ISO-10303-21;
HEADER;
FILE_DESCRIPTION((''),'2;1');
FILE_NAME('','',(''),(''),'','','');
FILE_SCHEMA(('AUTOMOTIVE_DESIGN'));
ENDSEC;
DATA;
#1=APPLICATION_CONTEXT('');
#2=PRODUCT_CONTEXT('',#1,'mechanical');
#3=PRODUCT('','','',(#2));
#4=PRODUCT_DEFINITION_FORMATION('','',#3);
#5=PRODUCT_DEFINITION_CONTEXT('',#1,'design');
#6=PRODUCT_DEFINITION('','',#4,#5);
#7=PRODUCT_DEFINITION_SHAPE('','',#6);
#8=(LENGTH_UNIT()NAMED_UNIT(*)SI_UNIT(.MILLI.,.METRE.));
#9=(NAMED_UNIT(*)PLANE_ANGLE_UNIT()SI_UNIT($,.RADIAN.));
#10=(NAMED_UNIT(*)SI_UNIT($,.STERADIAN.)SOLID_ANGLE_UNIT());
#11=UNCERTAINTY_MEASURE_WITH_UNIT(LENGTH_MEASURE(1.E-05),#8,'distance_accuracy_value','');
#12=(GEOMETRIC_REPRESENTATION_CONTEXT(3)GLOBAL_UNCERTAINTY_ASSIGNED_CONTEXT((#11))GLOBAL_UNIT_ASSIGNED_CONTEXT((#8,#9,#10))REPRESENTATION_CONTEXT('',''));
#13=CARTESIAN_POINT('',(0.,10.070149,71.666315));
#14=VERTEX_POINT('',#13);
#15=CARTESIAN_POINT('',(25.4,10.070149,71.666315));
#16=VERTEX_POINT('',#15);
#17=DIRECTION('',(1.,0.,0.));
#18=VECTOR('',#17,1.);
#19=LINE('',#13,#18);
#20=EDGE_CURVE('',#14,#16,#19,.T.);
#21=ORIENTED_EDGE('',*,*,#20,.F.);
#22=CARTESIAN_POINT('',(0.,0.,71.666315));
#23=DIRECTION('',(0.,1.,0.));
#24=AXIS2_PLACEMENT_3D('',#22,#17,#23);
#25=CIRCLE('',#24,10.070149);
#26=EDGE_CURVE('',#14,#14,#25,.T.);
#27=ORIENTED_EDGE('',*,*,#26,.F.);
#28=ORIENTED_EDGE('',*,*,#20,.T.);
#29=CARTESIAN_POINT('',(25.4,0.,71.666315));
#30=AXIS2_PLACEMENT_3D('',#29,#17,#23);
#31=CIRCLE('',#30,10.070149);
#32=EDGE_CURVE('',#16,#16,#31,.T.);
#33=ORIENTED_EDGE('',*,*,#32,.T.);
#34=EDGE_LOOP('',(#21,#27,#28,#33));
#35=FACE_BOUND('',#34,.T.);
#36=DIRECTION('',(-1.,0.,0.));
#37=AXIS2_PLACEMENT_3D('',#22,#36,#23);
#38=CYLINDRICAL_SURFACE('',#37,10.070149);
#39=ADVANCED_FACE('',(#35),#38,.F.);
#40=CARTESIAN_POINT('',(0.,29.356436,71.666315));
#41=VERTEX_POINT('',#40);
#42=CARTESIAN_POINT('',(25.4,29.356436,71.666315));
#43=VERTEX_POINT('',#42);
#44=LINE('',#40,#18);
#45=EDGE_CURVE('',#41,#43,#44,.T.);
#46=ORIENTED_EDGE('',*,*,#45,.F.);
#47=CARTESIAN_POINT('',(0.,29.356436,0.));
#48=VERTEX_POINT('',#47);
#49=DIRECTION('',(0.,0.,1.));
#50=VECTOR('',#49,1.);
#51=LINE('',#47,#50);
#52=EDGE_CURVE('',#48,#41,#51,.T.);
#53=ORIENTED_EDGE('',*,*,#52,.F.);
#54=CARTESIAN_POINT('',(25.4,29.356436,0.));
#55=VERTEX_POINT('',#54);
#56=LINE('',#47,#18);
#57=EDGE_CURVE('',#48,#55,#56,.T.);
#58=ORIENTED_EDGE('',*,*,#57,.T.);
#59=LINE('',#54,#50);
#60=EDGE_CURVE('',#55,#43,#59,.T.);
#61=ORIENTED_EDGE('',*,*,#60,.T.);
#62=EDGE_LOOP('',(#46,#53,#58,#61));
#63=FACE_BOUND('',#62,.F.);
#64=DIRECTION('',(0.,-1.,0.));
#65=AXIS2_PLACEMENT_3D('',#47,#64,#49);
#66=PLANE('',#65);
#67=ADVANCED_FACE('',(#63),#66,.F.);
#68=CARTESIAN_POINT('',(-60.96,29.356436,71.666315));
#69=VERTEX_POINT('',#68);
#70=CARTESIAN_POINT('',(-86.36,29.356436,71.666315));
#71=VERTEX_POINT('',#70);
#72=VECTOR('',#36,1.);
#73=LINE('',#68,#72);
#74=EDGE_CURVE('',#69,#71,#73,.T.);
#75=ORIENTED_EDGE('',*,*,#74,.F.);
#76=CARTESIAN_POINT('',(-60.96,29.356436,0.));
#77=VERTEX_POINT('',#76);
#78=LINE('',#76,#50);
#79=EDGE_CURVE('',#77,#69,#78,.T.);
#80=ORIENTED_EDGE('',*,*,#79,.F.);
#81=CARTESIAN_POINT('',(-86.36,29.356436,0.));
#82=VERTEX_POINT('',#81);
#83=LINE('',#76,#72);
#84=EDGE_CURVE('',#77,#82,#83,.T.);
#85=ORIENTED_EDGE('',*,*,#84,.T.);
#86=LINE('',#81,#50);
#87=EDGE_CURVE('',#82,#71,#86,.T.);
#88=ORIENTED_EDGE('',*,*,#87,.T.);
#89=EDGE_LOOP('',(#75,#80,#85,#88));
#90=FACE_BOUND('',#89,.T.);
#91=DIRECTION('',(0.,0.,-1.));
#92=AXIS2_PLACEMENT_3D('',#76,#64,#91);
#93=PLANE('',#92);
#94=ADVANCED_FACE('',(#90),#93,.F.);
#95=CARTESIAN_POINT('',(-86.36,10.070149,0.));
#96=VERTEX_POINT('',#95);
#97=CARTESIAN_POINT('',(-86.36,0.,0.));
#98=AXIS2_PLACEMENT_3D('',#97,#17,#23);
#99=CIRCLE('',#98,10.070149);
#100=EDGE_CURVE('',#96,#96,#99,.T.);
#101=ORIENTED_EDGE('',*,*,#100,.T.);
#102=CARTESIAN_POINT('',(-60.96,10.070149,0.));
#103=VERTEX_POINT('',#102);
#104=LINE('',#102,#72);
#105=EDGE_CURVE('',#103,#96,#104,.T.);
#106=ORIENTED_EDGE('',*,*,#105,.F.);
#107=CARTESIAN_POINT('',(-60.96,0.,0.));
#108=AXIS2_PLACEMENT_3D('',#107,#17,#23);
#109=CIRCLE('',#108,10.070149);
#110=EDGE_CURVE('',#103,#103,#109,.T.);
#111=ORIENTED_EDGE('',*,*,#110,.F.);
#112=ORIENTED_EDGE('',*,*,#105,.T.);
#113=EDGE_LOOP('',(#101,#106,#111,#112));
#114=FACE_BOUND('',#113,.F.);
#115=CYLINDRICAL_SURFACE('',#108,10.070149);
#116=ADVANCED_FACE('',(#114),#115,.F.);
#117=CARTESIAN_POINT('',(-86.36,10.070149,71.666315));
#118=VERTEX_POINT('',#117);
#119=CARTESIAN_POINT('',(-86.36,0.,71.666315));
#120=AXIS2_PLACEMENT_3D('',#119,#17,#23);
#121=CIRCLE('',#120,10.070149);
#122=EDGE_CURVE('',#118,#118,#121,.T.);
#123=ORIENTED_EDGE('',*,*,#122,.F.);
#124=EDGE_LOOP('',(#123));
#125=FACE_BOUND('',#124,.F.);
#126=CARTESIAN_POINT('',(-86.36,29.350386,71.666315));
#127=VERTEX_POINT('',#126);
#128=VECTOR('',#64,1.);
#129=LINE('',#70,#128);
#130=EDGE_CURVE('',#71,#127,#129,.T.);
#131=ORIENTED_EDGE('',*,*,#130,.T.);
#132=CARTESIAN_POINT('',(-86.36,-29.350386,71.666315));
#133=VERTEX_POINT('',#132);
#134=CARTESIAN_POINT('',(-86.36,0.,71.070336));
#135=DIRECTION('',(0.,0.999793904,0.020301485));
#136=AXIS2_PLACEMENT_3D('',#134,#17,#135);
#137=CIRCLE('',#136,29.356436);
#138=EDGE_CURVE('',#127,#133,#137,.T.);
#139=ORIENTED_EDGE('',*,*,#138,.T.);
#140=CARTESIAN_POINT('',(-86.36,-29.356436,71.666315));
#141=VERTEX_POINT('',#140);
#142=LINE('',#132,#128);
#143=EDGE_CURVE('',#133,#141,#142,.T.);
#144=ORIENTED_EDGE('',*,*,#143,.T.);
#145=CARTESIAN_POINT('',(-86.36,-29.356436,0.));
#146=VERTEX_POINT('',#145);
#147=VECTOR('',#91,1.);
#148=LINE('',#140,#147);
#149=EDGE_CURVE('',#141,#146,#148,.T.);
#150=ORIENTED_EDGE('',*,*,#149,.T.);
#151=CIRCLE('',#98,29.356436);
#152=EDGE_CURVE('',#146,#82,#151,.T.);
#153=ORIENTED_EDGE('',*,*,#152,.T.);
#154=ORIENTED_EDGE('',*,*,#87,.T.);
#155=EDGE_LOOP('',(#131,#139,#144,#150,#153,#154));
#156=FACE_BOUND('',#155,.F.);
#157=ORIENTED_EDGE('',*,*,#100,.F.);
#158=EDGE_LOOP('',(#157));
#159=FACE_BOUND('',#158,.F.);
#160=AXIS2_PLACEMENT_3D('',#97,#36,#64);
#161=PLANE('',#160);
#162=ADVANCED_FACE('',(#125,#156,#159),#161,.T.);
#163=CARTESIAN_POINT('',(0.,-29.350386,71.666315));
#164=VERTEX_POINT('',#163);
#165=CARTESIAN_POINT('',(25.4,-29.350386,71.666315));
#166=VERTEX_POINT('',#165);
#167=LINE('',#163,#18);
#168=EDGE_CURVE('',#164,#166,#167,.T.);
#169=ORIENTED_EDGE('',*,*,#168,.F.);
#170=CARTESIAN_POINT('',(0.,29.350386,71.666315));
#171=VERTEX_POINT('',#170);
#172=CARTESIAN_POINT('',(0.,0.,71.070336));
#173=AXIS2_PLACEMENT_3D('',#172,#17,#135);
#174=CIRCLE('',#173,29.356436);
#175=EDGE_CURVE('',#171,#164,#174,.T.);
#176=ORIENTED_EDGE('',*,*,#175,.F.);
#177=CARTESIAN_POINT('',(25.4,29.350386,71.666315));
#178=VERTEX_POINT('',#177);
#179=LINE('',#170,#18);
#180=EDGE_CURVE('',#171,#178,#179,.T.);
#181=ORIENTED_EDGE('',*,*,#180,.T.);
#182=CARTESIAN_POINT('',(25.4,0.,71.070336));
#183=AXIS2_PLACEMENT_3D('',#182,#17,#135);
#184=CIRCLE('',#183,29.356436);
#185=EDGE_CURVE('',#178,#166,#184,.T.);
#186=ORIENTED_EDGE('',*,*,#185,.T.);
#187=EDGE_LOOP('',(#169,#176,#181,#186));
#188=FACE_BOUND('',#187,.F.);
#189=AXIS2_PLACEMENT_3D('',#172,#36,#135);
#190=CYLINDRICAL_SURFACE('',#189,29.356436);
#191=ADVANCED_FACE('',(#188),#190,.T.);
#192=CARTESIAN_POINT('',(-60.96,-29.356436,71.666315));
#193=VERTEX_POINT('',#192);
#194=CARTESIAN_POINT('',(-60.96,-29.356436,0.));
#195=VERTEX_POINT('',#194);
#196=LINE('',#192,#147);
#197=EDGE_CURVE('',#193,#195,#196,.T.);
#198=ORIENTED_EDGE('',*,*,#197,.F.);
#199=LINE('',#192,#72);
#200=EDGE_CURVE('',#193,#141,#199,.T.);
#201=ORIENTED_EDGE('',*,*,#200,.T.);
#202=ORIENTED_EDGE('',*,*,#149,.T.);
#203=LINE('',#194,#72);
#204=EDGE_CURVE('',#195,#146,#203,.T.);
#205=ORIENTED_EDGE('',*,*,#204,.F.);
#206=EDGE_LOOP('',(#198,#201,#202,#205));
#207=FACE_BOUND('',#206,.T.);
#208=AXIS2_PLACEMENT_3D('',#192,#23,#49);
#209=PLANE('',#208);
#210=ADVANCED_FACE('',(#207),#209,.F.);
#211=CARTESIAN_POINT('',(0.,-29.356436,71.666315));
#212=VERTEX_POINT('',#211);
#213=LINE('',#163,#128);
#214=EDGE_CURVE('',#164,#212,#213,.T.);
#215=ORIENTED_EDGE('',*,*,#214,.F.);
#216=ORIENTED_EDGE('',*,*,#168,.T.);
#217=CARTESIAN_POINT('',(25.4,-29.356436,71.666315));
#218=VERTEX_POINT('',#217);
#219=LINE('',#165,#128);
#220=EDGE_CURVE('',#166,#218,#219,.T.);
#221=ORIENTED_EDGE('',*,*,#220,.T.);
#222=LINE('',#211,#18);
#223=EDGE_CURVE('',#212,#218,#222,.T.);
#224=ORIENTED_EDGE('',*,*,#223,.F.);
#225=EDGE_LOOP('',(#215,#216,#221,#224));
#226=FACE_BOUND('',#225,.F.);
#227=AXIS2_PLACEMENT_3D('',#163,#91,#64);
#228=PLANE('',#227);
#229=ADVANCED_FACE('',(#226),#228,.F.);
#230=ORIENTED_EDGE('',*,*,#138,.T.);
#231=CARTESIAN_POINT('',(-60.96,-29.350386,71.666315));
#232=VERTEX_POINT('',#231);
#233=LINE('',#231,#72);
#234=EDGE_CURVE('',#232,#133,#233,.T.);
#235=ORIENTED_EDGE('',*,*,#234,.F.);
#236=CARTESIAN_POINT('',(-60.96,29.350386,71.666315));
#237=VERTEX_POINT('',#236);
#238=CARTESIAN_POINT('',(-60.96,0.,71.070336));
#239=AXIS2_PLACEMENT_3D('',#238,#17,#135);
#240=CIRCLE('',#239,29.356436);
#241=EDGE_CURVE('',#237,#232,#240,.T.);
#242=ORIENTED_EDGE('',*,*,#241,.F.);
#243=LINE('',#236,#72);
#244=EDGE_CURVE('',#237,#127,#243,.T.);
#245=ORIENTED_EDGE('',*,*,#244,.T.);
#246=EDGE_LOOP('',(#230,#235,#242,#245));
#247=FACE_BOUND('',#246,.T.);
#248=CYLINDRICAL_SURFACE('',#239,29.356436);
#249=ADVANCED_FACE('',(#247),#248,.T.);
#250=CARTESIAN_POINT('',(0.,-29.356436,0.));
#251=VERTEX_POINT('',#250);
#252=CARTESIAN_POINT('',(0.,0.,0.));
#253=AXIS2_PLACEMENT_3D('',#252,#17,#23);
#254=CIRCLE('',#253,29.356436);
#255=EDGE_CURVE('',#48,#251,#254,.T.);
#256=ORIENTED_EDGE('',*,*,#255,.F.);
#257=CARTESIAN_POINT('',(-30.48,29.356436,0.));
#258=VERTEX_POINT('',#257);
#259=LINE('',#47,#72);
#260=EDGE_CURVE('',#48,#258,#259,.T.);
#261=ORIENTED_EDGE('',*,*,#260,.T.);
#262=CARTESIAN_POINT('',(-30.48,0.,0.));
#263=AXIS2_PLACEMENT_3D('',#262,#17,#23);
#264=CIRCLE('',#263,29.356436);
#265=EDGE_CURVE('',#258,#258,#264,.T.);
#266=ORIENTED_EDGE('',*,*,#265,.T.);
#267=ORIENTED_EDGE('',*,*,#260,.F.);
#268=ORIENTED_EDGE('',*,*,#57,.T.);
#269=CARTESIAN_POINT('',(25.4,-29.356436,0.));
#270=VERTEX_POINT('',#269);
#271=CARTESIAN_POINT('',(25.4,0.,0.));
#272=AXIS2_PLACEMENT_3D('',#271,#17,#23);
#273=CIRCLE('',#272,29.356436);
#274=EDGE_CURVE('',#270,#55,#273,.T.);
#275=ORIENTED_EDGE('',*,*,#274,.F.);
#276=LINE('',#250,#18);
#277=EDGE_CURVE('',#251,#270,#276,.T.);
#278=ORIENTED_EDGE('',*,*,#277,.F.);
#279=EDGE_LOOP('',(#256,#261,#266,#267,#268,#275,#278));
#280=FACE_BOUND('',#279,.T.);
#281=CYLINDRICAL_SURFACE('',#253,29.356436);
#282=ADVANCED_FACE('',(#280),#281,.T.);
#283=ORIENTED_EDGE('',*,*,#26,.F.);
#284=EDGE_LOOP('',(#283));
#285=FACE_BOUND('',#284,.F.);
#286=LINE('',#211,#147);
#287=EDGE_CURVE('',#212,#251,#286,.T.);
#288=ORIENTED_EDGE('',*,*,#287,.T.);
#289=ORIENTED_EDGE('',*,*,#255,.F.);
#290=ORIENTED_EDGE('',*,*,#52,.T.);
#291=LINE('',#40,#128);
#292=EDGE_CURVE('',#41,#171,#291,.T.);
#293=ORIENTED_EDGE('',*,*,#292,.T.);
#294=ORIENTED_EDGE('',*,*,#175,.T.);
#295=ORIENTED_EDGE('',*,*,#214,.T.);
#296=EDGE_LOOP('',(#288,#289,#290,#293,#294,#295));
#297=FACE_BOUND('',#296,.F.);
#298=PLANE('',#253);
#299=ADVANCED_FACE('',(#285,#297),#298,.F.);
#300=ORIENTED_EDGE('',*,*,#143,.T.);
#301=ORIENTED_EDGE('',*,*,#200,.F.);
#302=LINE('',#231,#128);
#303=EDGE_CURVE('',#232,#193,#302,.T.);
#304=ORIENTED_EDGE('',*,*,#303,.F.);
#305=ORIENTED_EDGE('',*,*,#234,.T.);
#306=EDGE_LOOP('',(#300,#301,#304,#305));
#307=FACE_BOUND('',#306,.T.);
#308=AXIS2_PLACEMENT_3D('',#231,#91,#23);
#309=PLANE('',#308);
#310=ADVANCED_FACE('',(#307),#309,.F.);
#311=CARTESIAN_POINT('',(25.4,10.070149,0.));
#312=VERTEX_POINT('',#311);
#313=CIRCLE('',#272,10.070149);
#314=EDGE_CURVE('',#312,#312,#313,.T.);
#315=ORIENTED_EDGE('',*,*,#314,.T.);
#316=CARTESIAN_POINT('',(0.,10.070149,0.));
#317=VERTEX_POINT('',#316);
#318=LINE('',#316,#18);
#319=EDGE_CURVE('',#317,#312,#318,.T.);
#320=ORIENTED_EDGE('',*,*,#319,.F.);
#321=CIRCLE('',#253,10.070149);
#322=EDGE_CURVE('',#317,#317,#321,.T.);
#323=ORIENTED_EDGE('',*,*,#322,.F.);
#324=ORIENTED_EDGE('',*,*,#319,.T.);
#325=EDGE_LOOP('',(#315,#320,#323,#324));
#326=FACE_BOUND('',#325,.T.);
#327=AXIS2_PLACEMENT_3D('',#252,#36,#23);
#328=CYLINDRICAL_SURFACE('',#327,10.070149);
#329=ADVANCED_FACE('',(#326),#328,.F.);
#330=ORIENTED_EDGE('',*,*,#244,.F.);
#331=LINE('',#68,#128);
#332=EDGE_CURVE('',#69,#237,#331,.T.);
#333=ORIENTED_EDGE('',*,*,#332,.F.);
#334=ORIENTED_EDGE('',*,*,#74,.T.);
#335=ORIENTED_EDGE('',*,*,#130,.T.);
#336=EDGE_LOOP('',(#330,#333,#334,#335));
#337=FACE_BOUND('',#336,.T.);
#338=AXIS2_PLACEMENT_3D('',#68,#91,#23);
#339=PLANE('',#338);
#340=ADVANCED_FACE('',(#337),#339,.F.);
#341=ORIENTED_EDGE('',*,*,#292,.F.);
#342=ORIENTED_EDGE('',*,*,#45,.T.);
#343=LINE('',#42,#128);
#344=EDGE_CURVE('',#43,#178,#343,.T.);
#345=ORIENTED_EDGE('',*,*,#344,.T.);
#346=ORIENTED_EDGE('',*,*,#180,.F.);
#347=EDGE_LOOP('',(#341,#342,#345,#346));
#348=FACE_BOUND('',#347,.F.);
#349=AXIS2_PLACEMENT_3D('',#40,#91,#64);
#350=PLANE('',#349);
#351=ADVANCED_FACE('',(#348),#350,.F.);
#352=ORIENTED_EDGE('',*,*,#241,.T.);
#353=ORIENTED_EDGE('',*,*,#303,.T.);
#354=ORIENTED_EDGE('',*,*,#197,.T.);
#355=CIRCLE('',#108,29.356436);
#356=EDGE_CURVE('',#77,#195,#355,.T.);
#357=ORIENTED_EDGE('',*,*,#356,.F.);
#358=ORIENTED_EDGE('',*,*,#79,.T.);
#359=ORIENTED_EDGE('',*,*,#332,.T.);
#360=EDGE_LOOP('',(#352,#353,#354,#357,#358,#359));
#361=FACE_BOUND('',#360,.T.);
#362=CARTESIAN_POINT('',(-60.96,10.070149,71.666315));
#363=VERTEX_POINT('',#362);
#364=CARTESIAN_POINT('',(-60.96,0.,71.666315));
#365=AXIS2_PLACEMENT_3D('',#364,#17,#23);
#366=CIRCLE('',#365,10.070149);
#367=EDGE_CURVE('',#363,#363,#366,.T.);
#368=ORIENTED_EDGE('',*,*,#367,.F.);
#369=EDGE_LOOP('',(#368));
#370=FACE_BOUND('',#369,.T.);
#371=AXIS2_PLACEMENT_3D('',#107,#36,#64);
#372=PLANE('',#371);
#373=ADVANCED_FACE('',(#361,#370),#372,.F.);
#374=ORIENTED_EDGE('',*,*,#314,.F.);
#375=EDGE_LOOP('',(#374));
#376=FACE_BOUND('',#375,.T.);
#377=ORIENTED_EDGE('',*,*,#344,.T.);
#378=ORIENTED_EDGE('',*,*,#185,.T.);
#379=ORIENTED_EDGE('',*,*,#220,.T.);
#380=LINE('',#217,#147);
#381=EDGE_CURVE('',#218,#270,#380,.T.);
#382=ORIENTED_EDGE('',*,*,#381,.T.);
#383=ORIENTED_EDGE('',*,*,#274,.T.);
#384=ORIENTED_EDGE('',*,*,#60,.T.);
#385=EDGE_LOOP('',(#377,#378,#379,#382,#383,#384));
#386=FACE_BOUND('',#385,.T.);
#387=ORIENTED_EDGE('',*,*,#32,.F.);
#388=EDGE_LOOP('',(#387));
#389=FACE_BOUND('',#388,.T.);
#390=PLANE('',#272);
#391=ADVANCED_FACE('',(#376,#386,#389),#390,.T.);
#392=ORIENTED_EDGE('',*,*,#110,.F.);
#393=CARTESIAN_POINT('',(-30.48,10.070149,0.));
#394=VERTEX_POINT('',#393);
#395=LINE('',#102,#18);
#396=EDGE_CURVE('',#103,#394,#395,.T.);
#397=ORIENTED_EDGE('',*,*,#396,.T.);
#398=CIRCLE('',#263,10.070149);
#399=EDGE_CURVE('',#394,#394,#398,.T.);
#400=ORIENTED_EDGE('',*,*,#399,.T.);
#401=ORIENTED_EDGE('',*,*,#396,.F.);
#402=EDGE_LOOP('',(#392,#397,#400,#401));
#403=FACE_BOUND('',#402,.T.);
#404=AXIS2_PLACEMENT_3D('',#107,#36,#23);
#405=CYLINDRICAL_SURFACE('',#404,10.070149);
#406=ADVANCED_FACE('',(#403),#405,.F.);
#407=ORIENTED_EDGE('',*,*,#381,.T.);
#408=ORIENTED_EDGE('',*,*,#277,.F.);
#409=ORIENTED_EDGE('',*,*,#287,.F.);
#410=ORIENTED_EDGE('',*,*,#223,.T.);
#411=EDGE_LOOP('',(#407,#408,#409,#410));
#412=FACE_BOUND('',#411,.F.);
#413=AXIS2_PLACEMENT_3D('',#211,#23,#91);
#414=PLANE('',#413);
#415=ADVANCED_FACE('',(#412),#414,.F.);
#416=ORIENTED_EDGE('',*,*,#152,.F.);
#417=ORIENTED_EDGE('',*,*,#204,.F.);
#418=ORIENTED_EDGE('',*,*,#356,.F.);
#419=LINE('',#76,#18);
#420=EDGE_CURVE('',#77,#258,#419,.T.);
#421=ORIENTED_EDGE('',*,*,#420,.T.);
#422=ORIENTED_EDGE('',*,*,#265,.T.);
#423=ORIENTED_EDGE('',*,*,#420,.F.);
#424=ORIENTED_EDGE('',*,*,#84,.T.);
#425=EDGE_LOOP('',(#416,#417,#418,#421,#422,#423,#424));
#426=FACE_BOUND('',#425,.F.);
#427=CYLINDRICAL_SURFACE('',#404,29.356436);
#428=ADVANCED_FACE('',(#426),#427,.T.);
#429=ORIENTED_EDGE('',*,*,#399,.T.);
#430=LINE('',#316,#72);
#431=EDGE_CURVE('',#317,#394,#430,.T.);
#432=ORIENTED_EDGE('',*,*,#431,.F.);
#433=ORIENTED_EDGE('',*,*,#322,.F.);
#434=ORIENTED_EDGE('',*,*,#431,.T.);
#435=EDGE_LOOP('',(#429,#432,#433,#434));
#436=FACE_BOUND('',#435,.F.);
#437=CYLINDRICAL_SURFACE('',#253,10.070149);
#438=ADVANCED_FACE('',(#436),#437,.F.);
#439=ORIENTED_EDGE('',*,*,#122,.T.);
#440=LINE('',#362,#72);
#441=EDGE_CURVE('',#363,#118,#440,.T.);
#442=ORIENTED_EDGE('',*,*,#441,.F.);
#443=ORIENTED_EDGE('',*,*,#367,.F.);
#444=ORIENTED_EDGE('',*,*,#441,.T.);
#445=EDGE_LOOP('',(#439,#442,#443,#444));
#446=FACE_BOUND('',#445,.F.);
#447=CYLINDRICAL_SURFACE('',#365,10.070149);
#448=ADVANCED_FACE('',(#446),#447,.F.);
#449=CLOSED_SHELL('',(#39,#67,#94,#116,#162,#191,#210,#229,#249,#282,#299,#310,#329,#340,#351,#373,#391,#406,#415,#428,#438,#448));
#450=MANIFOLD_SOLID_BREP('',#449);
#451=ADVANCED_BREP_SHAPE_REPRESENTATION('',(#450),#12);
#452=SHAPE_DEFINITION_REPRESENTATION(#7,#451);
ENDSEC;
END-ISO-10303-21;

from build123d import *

# Parameters (mm, degrees)
F0_R     = 10.070149
F1_DEPTH = 25.4
F2_DEPTH = 30.48


with BuildPart() as f1:
    # F0 (on Right) → F1 (new body)
    with BuildSketch(Plane.YZ):
        with BuildLine():
            ThreePointArc((-29.356436, 0), (0, -29.356436), (29.356436, 0))
            ThreePointArc((29.356436, 0), (0, 29.356436), (-29.356436, 0))
        make_face()
        Circle(F0_R, mode=Mode.SUBTRACT)
        with BuildLine():
            ThreePointArc((-29.356436, 0), (0, 29.356436), (29.356436, 0))
            Line((29.356436, 0), (29.356436, 71.070336))
            ThreePointArc((29.356436, 71.070336), (29.354923, 71.368341), (29.350386, 71.666315))
            ThreePointArc((29.350386, 71.666315), (0, 100.426772), (-29.350386, 71.666315))
            ThreePointArc((-29.350386, 71.666315), (-29.354923, 71.368341), (-29.356436, 71.070336))
            Line((-29.356436, 71.070336), (-29.356436, 0))
        make_face()
        with Locations((0, 71.666315)):
            Circle(F0_R, mode=Mode.SUBTRACT)
        with BuildLine():
            ThreePointArc((29.350386, 71.666315), (29.354923, 71.368341), (29.356436, 71.070336))
            Line((29.356436, 71.070336), (29.356436, 71.666315))
            Line((29.356436, 71.666315), (29.350386, 71.666315))
        make_face()
        with BuildLine():
            Line((-29.356436, 71.666315), (-29.356436, 71.070336))
            ThreePointArc((-29.356436, 71.070336), (-29.354923, 71.368341), (-29.350386, 71.666315))
            Line((-29.350386, 71.666315), (-29.356436, 71.666315))
        make_face()
    extrude(amount=F1_DEPTH)

    # F0 (on Right) → F2 (join)
    with BuildSketch(Plane.YZ):
        with BuildLine():
            ThreePointArc((-29.356436, 0), (0, -29.356436), (29.356436, 0))
            ThreePointArc((29.356436, 0), (0, 29.356436), (-29.356436, 0))
        make_face()
        Circle(F0_R, mode=Mode.SUBTRACT)
    extrude(amount=-F2_DEPTH)

    # F4: F1 across plane


with BuildPart() as f1_1:
    add(f1.part)
    add(f1.part.mirror(Plane(origin=(-30.48, 0, 0), x_dir=(0, 1, 0), z_dir=(-1, 0, 0))))


solid = f1_1.part
